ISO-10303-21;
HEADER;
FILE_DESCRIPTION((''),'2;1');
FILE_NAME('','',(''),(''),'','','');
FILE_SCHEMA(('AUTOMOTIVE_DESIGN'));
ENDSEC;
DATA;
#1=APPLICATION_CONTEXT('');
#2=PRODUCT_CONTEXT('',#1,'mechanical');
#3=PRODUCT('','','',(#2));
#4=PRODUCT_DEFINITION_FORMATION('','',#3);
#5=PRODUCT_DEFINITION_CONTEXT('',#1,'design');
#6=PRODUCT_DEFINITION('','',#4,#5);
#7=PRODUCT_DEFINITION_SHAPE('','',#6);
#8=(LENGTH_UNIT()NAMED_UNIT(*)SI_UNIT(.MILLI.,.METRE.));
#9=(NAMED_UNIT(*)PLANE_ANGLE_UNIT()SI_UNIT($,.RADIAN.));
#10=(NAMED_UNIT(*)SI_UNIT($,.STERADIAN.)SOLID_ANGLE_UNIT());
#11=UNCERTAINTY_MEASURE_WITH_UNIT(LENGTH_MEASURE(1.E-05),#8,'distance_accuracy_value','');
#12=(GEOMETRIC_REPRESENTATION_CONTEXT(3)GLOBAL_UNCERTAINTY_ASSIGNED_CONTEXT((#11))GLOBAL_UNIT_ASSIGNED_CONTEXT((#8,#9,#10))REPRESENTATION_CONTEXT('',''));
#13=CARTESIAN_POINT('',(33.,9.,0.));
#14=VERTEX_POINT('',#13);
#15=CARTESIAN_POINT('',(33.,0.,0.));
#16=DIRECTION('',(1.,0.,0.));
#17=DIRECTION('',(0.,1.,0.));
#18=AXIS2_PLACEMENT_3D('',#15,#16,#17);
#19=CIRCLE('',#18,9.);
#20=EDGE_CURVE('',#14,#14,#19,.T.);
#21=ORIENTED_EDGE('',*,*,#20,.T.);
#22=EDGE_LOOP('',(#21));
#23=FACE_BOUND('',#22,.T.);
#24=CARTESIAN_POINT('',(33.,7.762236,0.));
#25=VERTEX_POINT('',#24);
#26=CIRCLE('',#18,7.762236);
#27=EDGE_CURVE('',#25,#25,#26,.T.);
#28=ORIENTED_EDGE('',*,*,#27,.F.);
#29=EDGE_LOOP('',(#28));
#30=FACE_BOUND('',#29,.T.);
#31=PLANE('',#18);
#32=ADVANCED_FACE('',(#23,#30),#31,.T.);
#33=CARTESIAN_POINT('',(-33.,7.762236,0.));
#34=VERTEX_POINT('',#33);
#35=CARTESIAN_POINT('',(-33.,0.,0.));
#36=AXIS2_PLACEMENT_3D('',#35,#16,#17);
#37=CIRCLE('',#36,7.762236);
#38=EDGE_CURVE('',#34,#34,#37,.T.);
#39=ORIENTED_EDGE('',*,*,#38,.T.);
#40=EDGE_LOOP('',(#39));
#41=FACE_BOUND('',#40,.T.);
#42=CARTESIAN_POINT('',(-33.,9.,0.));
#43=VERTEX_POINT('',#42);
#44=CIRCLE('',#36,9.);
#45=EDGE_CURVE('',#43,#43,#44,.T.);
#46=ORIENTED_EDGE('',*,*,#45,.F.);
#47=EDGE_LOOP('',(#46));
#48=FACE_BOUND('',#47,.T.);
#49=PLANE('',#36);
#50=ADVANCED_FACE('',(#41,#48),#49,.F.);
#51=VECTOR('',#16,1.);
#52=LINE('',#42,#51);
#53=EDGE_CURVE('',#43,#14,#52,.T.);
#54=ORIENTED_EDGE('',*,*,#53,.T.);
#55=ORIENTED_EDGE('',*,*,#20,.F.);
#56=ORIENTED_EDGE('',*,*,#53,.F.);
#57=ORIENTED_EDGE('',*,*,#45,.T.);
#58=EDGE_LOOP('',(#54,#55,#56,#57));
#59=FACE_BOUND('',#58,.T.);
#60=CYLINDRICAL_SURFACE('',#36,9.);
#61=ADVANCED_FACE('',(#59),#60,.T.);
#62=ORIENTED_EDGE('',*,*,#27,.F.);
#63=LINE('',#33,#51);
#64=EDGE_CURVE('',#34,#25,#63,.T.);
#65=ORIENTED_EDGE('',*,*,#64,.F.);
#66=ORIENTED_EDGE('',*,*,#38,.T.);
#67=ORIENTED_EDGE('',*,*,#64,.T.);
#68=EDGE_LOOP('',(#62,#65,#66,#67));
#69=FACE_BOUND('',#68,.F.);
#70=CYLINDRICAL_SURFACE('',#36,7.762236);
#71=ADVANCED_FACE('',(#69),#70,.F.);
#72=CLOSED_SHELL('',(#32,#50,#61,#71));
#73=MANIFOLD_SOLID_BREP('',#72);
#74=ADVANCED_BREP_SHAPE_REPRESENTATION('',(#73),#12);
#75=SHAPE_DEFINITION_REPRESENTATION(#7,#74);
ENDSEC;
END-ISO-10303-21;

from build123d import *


with BuildPart() as part:
    # Sketch → Revolution (revolve)
    with BuildSketch(Plane.XY):
        Polygon((-33, 7.762236), (-33, 9), (33, 9), (33, 7.762236), (0, 7.762236), align=None)
    revolve(axis=Axis((0, 0, 0), (1, 0, 0)))


solid = part.part
